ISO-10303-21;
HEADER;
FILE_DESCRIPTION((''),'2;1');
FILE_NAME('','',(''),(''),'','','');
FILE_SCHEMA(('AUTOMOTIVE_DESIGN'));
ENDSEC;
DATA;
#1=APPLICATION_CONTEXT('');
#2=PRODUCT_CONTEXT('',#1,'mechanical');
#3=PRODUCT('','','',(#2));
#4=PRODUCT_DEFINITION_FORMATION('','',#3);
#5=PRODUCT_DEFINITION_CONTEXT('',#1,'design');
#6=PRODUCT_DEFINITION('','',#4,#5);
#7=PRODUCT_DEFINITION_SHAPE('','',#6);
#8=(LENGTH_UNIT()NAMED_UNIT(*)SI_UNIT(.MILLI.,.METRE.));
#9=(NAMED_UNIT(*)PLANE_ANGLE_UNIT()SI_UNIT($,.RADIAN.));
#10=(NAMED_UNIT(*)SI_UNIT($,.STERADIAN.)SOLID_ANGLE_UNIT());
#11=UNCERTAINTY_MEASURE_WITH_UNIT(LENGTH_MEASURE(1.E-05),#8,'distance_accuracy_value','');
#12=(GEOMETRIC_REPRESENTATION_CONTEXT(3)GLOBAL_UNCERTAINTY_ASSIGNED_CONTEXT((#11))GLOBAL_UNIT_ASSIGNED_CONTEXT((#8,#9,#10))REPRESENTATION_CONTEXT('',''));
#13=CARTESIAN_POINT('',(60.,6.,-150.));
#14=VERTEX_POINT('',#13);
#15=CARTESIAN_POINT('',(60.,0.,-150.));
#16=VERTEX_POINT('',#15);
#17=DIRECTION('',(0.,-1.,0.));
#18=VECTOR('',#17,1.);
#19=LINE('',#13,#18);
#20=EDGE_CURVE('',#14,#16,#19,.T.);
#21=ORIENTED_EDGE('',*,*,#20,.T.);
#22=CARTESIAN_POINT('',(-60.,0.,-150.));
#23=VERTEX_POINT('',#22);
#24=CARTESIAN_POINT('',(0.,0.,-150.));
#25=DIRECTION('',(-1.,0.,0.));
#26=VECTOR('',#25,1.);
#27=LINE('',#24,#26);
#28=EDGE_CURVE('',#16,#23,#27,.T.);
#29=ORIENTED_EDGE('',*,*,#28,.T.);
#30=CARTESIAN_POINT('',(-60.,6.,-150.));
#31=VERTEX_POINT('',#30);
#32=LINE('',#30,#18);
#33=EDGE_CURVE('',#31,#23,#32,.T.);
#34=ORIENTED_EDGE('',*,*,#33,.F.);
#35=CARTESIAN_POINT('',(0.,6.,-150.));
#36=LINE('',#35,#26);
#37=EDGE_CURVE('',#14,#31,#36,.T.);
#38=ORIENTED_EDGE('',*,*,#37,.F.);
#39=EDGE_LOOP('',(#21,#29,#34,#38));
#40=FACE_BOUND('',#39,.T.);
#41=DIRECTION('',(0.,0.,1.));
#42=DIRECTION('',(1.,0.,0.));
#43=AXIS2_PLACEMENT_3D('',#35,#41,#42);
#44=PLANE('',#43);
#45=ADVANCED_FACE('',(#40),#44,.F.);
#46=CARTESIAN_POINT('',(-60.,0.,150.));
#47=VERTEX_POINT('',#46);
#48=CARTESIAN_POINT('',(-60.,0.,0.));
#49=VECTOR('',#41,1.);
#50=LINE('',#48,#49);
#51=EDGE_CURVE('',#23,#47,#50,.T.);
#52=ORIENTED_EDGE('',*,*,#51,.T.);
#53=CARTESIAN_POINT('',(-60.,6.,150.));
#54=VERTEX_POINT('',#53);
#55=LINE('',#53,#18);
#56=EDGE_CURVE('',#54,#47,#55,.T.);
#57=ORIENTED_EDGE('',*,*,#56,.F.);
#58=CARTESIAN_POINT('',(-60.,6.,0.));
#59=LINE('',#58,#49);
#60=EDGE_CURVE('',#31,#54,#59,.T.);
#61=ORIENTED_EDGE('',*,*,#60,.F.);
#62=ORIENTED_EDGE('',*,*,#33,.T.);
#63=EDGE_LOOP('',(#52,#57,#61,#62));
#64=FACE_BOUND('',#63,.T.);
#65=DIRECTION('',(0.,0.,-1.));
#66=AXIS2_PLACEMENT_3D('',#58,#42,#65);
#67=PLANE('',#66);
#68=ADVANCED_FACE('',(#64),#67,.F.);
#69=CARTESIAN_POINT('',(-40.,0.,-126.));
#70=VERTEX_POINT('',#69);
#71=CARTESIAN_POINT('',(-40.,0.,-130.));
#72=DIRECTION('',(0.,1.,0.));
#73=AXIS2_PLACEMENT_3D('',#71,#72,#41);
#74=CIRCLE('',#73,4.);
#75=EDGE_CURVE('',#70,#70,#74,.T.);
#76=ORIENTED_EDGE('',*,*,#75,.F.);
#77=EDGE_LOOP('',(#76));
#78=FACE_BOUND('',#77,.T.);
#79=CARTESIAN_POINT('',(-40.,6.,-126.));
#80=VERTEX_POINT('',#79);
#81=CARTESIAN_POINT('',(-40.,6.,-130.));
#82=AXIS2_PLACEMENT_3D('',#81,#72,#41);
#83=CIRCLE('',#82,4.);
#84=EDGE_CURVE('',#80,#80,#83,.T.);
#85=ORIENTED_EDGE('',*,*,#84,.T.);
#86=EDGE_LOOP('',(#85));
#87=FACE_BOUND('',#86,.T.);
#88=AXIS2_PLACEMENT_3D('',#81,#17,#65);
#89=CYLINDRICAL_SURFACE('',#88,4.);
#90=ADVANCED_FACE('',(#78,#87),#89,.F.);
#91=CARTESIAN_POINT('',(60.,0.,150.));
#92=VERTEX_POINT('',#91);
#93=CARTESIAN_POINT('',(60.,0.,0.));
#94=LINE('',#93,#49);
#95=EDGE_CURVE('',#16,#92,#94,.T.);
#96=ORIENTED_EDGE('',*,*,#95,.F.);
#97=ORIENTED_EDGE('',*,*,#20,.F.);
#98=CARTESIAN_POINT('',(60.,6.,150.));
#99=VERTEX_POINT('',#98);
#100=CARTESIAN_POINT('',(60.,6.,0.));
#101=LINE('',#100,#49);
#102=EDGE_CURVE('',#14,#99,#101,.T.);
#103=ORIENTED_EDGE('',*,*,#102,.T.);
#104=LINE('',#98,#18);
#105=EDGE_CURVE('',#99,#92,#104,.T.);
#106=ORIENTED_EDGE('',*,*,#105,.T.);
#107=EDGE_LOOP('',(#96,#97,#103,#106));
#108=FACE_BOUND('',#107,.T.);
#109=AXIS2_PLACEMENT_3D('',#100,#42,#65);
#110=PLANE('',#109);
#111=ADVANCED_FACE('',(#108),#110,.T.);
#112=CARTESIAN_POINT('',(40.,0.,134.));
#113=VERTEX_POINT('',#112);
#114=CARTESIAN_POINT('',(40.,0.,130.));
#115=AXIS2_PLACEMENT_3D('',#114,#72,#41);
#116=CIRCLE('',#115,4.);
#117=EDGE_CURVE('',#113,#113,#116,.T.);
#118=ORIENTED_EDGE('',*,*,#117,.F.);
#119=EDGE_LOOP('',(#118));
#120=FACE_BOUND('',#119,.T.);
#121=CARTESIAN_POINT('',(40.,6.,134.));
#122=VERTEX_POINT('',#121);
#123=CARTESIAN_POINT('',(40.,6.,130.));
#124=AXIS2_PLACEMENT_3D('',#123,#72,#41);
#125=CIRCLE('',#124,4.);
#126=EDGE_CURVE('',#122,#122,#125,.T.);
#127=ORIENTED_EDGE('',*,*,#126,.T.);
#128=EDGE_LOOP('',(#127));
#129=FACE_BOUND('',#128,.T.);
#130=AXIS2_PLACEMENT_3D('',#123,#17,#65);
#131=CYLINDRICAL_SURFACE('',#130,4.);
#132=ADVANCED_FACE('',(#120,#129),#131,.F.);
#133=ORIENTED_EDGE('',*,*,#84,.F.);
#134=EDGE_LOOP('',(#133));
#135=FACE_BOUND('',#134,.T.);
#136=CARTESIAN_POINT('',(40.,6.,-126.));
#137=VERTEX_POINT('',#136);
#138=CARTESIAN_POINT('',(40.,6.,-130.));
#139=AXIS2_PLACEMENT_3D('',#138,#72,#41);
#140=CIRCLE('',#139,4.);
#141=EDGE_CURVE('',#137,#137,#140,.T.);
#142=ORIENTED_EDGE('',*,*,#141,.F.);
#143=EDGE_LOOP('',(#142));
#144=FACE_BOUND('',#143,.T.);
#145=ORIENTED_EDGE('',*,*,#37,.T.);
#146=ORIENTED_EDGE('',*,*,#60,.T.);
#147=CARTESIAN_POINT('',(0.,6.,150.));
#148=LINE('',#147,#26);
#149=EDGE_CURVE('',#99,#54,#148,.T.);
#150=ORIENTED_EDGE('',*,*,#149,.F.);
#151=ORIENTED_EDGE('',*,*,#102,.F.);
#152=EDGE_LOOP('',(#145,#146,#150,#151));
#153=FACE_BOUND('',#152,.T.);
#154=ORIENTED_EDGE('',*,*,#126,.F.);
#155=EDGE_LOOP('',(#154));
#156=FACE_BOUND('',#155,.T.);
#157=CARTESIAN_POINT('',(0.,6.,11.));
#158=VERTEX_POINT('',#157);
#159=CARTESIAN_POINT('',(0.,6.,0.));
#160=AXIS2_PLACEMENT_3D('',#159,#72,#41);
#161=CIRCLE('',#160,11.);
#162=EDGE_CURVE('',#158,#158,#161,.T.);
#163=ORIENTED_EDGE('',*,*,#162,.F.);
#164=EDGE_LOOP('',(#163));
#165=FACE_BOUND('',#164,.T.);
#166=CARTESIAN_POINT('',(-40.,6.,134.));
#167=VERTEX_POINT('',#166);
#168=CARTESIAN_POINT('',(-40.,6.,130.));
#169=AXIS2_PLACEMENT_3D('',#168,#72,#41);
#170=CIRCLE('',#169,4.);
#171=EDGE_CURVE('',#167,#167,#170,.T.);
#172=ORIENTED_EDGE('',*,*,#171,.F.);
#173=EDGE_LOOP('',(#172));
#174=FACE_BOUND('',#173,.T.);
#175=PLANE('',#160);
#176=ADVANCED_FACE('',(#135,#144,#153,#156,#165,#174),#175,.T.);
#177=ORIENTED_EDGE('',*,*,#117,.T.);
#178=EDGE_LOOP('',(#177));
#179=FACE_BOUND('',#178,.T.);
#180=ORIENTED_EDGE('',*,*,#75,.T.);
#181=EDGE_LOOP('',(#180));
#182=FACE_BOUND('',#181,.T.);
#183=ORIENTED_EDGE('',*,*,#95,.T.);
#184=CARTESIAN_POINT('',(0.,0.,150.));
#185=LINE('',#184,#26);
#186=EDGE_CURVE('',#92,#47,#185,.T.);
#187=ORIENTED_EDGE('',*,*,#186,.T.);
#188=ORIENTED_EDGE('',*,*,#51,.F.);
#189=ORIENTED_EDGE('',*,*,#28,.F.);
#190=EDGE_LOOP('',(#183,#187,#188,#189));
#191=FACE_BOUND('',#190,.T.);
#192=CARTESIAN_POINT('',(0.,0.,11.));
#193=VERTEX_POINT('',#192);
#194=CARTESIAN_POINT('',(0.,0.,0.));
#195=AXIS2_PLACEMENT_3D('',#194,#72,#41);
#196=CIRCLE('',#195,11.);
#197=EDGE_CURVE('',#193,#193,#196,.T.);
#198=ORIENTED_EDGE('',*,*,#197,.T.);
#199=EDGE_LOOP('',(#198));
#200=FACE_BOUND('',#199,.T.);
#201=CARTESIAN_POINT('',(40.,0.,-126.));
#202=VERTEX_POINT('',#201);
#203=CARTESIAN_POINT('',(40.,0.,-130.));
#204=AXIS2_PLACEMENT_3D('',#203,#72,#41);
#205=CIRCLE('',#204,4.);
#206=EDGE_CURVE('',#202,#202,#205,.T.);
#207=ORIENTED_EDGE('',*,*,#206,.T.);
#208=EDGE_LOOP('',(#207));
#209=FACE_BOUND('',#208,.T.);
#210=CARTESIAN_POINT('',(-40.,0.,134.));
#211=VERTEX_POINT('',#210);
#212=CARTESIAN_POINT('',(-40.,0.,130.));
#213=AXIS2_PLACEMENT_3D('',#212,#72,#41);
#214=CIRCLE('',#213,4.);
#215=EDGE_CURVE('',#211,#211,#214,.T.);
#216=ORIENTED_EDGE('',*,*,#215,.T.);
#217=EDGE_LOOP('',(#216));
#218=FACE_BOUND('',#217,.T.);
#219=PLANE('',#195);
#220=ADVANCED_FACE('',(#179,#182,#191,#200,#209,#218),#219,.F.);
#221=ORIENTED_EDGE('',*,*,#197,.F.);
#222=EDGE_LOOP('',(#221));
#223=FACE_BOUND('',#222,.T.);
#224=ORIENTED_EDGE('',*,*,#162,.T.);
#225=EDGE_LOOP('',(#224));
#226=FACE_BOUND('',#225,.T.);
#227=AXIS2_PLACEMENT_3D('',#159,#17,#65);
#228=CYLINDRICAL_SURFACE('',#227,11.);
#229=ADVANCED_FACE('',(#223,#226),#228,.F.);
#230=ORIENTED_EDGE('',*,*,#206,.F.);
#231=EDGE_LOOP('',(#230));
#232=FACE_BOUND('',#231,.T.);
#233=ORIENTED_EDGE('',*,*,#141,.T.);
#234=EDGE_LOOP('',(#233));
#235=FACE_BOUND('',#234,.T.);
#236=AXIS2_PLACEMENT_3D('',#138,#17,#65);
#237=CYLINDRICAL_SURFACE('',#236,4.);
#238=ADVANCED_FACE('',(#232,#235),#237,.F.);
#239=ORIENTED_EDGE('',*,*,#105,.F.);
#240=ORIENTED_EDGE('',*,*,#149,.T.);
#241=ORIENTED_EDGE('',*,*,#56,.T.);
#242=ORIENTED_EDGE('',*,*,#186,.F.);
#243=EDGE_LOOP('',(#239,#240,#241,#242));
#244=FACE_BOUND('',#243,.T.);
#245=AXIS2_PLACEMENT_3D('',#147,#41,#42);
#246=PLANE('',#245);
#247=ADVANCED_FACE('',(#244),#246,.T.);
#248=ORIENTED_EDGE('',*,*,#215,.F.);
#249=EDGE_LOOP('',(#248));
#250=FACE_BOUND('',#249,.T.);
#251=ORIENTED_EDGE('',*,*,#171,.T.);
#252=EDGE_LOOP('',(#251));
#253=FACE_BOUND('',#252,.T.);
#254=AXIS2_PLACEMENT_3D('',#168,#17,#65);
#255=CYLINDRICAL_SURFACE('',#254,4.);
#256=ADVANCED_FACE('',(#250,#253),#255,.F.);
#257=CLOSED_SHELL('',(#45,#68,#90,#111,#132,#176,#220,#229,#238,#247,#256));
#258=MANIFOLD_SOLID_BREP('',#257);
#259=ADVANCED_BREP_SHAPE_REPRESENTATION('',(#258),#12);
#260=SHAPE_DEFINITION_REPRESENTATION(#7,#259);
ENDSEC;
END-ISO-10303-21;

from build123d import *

# Parameters (mm, degrees)
SKETCH1_W           = 120
SKETCH1_H           = 300
SKETCH1_R           = 11
SKETCH1_R_2         = 4
BOSS_EXTRUDE1_DEPTH = 6


with BuildPart() as part:
    # Sketch1 → Boss-Extrude1 (new body)
    with BuildSketch(Plane(origin=(0, 0, 0), x_dir=(1, 0, 0), z_dir=(0, 1, 0))):
        Rectangle(SKETCH1_W, SKETCH1_H)
        with Locations(Location((0, 0, 0), (0, 0, 270))):
            Circle(SKETCH1_R, mode=Mode.SUBTRACT)
        with Locations(Location((40, -130, 0), (0, 0, 270))):
            Circle(SKETCH1_R_2, mode=Mode.SUBTRACT)
        with Locations(Location((-40, -130, 0), (0, 0, 270))):
            Circle(SKETCH1_R_2, mode=Mode.SUBTRACT)
        with Locations(Location((40, 130, 0), (0, 0, 270))):
            Circle(SKETCH1_R_2, mode=Mode.SUBTRACT)
        with Locations(Location((-40, 130, 0), (0, 0, 270))):
            Circle(SKETCH1_R_2, mode=Mode.SUBTRACT)
    extrude(amount=BOSS_EXTRUDE1_DEPTH)


solid = part.part
